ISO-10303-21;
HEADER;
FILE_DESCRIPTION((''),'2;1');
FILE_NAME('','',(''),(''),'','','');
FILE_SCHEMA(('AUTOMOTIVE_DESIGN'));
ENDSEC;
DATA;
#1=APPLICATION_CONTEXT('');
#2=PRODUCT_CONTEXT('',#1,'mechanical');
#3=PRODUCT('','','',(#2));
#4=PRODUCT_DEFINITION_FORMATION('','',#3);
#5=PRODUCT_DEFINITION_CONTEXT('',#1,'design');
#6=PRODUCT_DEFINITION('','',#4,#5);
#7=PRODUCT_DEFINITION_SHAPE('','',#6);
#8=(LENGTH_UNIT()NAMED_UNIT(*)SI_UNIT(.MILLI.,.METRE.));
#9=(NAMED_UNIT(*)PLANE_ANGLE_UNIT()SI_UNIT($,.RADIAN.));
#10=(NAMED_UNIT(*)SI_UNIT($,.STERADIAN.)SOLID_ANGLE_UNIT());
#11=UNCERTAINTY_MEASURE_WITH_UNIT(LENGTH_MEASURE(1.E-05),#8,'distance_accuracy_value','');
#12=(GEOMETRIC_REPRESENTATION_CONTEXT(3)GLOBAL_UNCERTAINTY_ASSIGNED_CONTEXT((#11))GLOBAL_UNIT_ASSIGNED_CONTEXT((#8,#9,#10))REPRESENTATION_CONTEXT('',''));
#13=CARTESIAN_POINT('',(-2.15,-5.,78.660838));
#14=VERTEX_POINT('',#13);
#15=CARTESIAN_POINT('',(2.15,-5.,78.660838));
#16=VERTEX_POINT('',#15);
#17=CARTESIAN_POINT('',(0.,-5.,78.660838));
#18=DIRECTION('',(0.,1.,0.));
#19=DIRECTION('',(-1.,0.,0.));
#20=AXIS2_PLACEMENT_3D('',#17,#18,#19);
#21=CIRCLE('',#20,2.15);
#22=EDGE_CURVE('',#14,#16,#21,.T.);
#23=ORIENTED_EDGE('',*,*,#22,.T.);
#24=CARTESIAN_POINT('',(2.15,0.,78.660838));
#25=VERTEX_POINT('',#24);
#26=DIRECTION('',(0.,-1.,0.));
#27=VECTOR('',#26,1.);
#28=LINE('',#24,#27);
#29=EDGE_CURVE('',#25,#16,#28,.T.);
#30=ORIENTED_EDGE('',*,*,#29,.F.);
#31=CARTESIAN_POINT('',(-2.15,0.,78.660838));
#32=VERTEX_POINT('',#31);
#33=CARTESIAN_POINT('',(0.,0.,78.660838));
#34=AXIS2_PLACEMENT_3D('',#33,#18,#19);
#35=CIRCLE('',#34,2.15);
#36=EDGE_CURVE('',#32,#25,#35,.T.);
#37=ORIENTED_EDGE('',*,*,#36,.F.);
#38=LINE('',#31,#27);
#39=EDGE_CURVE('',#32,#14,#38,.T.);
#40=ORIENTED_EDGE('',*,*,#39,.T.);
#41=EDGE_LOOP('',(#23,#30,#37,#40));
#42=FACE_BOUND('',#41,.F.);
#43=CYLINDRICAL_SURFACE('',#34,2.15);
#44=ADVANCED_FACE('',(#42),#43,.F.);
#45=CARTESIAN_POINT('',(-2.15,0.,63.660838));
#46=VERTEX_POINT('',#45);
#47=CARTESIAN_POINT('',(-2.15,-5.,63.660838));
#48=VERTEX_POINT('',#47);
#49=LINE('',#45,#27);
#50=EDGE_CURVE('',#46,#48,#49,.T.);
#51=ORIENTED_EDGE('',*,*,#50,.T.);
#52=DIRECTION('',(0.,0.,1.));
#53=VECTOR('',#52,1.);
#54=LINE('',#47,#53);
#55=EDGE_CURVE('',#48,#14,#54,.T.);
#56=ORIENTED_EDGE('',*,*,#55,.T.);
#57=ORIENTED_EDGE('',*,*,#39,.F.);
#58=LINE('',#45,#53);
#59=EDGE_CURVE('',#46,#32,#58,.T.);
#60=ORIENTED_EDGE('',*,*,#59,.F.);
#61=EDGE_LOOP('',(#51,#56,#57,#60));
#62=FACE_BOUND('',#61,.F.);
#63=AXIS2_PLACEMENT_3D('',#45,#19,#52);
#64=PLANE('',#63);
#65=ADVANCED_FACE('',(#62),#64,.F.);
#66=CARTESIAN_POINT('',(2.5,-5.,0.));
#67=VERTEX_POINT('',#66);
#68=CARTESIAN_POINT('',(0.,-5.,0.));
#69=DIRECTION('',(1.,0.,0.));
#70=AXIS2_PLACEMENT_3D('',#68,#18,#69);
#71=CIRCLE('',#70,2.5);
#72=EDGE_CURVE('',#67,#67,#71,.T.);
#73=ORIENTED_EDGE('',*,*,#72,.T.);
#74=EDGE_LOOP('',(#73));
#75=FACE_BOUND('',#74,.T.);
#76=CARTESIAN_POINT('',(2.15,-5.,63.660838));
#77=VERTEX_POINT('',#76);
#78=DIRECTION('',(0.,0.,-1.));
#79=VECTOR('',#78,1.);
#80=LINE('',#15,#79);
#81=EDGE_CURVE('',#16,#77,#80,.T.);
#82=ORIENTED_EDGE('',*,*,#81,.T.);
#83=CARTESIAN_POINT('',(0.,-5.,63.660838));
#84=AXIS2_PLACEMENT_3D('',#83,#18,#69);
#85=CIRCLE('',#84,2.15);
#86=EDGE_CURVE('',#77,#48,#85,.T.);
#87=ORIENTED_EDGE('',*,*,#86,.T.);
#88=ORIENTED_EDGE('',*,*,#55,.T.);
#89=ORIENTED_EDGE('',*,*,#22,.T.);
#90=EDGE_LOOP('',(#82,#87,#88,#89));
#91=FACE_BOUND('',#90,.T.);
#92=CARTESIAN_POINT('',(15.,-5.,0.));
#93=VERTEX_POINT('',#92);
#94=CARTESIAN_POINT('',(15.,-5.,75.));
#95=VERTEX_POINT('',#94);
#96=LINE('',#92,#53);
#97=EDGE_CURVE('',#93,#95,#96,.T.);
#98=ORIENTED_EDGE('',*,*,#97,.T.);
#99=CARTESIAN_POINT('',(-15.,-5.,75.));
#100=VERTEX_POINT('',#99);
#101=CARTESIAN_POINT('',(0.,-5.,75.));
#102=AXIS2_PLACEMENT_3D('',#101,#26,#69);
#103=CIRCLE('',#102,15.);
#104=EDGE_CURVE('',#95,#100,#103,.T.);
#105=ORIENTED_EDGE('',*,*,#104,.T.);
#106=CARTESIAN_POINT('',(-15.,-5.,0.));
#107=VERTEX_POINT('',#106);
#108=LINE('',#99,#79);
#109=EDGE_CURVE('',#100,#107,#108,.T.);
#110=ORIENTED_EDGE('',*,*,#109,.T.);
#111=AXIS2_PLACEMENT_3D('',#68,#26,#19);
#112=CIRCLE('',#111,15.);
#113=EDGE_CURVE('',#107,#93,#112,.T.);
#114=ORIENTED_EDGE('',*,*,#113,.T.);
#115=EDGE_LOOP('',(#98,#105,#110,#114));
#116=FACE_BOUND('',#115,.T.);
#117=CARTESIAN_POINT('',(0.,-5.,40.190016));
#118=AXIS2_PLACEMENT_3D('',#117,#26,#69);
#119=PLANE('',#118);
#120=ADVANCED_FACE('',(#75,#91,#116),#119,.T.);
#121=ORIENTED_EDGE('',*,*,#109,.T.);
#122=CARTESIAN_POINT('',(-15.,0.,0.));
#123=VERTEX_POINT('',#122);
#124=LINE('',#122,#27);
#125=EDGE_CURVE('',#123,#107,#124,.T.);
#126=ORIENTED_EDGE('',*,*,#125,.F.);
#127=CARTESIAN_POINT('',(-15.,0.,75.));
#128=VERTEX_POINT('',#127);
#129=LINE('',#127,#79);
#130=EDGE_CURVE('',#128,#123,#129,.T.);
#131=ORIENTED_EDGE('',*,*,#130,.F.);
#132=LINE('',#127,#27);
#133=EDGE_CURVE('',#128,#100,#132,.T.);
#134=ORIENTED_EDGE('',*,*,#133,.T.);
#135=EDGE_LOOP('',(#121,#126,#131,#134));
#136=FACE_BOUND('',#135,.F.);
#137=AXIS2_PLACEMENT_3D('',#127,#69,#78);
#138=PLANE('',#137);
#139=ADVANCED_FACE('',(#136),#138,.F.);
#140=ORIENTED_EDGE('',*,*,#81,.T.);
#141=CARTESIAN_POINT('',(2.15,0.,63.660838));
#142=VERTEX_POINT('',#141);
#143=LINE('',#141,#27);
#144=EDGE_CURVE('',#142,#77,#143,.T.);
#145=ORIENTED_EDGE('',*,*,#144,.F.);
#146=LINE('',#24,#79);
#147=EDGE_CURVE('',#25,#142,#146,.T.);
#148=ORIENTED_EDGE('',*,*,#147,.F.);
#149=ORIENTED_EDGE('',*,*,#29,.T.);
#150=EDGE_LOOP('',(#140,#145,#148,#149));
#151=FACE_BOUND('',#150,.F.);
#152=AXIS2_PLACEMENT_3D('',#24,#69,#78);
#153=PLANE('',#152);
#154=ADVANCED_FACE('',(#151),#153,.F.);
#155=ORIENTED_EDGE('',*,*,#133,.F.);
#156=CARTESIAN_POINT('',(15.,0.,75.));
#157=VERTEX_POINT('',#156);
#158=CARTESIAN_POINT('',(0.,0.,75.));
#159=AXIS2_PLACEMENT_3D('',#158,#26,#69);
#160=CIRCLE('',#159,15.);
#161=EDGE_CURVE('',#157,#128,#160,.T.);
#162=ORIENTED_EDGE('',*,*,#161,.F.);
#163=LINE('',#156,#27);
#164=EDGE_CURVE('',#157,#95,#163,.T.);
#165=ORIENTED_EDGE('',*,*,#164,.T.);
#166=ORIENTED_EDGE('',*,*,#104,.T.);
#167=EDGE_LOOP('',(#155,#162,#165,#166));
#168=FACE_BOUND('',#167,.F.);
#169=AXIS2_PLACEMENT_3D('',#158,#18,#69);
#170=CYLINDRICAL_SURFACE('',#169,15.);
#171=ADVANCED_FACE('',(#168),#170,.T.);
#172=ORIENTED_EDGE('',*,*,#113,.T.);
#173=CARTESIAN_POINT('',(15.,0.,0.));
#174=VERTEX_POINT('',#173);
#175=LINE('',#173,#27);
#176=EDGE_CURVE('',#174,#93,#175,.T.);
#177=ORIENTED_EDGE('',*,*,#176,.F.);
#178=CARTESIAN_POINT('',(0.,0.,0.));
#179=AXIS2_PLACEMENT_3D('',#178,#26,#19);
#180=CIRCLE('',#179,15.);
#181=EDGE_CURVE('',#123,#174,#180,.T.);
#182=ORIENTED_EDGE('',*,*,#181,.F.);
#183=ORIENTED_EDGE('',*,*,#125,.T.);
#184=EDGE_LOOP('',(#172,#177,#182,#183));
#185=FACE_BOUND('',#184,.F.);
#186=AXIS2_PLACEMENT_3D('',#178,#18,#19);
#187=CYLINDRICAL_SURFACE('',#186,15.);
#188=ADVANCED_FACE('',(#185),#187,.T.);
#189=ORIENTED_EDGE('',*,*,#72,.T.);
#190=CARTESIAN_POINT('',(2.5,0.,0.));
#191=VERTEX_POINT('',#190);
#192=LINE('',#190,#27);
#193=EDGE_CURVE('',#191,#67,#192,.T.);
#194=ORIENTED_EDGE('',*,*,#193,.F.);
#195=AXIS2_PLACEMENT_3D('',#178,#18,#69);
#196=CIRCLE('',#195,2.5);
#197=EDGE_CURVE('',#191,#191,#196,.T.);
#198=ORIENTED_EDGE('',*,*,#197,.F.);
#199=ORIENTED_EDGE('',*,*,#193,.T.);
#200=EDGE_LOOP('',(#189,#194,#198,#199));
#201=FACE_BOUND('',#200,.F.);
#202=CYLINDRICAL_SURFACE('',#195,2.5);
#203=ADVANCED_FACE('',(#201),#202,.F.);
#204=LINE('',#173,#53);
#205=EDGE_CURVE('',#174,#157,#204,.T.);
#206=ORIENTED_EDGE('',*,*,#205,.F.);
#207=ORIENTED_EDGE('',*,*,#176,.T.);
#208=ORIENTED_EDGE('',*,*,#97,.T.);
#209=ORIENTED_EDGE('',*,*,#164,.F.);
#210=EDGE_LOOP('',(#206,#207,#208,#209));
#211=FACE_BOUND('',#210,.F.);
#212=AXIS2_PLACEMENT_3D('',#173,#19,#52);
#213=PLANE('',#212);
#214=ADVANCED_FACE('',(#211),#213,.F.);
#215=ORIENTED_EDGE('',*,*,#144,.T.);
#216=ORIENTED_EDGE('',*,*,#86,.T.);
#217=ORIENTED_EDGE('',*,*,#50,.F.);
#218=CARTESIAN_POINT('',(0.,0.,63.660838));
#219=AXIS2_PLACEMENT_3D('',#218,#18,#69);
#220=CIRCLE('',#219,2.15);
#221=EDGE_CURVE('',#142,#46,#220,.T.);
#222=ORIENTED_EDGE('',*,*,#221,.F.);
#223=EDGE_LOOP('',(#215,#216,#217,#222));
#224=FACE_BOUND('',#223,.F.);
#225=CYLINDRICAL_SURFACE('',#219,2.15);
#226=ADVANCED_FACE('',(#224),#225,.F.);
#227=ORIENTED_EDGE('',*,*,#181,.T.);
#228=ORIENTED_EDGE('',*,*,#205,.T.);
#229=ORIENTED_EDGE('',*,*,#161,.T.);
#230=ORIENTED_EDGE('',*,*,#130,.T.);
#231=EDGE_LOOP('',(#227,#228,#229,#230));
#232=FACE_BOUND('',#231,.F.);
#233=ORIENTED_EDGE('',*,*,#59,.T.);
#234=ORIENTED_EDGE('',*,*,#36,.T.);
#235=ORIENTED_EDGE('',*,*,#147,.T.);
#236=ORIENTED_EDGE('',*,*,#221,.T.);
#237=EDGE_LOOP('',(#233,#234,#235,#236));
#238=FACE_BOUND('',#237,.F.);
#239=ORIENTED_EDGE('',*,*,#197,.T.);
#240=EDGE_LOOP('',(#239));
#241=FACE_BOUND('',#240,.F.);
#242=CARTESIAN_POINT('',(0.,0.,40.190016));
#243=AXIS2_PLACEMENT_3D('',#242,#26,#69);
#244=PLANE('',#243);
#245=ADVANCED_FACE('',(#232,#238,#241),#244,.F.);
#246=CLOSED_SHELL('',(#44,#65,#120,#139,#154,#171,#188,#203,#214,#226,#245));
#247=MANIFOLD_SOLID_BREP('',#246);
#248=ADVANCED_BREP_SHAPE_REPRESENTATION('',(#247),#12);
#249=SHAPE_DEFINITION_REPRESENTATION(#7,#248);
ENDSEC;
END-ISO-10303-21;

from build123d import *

# Parameters (mm, degrees)
F1_DEPTH = 5


with BuildPart() as f1:
    # F0 (on Front) → F1 (new body)
    with BuildSketch(Plane.XZ):
        with BuildLine():
            Line((-15, 75), (-15, 0))
            Line((-15, 0), (-2.5, 0))
            ThreePointArc((-2.5, 0), (0, 2.5), (2.5, 0))
            Line((2.5, 0), (15, 0))
            Line((15, 0), (15, 75))
            Line((15, 75), (2.15, 75))
            Line((2.15, 75), (2.15, 63.660838))
            ThreePointArc((2.15, 63.660838), (0, 61.510838), (-2.15, 63.660838))
            Line((-2.15, 63.660838), (-2.15, 75))
            Line((-2.15, 75), (-15, 75))
        make_face()
        with BuildLine():
            Line((-2.5, 0), (-15, 0))
            ThreePointArc((-15, 0), (0, -15), (15, 0))
            Line((15, 0), (2.5, 0))
            ThreePointArc((2.5, 0), (0, -2.5), (-2.5, 0))
        make_face()
        with BuildLine():
            ThreePointArc((15, 75), (0, 90), (-15, 75))
            Line((-15, 75), (-2.15, 75))
            Line((-2.15, 75), (-2.15, 78.660838))
            ThreePointArc((-2.15, 78.660838), (0, 80.810838), (2.15, 78.660838))
            Line((2.15, 78.660838), (2.15, 75))
            Line((2.15, 75), (15, 75))
        make_face()
    extrude(amount=F1_DEPTH)


solid = f1.part
